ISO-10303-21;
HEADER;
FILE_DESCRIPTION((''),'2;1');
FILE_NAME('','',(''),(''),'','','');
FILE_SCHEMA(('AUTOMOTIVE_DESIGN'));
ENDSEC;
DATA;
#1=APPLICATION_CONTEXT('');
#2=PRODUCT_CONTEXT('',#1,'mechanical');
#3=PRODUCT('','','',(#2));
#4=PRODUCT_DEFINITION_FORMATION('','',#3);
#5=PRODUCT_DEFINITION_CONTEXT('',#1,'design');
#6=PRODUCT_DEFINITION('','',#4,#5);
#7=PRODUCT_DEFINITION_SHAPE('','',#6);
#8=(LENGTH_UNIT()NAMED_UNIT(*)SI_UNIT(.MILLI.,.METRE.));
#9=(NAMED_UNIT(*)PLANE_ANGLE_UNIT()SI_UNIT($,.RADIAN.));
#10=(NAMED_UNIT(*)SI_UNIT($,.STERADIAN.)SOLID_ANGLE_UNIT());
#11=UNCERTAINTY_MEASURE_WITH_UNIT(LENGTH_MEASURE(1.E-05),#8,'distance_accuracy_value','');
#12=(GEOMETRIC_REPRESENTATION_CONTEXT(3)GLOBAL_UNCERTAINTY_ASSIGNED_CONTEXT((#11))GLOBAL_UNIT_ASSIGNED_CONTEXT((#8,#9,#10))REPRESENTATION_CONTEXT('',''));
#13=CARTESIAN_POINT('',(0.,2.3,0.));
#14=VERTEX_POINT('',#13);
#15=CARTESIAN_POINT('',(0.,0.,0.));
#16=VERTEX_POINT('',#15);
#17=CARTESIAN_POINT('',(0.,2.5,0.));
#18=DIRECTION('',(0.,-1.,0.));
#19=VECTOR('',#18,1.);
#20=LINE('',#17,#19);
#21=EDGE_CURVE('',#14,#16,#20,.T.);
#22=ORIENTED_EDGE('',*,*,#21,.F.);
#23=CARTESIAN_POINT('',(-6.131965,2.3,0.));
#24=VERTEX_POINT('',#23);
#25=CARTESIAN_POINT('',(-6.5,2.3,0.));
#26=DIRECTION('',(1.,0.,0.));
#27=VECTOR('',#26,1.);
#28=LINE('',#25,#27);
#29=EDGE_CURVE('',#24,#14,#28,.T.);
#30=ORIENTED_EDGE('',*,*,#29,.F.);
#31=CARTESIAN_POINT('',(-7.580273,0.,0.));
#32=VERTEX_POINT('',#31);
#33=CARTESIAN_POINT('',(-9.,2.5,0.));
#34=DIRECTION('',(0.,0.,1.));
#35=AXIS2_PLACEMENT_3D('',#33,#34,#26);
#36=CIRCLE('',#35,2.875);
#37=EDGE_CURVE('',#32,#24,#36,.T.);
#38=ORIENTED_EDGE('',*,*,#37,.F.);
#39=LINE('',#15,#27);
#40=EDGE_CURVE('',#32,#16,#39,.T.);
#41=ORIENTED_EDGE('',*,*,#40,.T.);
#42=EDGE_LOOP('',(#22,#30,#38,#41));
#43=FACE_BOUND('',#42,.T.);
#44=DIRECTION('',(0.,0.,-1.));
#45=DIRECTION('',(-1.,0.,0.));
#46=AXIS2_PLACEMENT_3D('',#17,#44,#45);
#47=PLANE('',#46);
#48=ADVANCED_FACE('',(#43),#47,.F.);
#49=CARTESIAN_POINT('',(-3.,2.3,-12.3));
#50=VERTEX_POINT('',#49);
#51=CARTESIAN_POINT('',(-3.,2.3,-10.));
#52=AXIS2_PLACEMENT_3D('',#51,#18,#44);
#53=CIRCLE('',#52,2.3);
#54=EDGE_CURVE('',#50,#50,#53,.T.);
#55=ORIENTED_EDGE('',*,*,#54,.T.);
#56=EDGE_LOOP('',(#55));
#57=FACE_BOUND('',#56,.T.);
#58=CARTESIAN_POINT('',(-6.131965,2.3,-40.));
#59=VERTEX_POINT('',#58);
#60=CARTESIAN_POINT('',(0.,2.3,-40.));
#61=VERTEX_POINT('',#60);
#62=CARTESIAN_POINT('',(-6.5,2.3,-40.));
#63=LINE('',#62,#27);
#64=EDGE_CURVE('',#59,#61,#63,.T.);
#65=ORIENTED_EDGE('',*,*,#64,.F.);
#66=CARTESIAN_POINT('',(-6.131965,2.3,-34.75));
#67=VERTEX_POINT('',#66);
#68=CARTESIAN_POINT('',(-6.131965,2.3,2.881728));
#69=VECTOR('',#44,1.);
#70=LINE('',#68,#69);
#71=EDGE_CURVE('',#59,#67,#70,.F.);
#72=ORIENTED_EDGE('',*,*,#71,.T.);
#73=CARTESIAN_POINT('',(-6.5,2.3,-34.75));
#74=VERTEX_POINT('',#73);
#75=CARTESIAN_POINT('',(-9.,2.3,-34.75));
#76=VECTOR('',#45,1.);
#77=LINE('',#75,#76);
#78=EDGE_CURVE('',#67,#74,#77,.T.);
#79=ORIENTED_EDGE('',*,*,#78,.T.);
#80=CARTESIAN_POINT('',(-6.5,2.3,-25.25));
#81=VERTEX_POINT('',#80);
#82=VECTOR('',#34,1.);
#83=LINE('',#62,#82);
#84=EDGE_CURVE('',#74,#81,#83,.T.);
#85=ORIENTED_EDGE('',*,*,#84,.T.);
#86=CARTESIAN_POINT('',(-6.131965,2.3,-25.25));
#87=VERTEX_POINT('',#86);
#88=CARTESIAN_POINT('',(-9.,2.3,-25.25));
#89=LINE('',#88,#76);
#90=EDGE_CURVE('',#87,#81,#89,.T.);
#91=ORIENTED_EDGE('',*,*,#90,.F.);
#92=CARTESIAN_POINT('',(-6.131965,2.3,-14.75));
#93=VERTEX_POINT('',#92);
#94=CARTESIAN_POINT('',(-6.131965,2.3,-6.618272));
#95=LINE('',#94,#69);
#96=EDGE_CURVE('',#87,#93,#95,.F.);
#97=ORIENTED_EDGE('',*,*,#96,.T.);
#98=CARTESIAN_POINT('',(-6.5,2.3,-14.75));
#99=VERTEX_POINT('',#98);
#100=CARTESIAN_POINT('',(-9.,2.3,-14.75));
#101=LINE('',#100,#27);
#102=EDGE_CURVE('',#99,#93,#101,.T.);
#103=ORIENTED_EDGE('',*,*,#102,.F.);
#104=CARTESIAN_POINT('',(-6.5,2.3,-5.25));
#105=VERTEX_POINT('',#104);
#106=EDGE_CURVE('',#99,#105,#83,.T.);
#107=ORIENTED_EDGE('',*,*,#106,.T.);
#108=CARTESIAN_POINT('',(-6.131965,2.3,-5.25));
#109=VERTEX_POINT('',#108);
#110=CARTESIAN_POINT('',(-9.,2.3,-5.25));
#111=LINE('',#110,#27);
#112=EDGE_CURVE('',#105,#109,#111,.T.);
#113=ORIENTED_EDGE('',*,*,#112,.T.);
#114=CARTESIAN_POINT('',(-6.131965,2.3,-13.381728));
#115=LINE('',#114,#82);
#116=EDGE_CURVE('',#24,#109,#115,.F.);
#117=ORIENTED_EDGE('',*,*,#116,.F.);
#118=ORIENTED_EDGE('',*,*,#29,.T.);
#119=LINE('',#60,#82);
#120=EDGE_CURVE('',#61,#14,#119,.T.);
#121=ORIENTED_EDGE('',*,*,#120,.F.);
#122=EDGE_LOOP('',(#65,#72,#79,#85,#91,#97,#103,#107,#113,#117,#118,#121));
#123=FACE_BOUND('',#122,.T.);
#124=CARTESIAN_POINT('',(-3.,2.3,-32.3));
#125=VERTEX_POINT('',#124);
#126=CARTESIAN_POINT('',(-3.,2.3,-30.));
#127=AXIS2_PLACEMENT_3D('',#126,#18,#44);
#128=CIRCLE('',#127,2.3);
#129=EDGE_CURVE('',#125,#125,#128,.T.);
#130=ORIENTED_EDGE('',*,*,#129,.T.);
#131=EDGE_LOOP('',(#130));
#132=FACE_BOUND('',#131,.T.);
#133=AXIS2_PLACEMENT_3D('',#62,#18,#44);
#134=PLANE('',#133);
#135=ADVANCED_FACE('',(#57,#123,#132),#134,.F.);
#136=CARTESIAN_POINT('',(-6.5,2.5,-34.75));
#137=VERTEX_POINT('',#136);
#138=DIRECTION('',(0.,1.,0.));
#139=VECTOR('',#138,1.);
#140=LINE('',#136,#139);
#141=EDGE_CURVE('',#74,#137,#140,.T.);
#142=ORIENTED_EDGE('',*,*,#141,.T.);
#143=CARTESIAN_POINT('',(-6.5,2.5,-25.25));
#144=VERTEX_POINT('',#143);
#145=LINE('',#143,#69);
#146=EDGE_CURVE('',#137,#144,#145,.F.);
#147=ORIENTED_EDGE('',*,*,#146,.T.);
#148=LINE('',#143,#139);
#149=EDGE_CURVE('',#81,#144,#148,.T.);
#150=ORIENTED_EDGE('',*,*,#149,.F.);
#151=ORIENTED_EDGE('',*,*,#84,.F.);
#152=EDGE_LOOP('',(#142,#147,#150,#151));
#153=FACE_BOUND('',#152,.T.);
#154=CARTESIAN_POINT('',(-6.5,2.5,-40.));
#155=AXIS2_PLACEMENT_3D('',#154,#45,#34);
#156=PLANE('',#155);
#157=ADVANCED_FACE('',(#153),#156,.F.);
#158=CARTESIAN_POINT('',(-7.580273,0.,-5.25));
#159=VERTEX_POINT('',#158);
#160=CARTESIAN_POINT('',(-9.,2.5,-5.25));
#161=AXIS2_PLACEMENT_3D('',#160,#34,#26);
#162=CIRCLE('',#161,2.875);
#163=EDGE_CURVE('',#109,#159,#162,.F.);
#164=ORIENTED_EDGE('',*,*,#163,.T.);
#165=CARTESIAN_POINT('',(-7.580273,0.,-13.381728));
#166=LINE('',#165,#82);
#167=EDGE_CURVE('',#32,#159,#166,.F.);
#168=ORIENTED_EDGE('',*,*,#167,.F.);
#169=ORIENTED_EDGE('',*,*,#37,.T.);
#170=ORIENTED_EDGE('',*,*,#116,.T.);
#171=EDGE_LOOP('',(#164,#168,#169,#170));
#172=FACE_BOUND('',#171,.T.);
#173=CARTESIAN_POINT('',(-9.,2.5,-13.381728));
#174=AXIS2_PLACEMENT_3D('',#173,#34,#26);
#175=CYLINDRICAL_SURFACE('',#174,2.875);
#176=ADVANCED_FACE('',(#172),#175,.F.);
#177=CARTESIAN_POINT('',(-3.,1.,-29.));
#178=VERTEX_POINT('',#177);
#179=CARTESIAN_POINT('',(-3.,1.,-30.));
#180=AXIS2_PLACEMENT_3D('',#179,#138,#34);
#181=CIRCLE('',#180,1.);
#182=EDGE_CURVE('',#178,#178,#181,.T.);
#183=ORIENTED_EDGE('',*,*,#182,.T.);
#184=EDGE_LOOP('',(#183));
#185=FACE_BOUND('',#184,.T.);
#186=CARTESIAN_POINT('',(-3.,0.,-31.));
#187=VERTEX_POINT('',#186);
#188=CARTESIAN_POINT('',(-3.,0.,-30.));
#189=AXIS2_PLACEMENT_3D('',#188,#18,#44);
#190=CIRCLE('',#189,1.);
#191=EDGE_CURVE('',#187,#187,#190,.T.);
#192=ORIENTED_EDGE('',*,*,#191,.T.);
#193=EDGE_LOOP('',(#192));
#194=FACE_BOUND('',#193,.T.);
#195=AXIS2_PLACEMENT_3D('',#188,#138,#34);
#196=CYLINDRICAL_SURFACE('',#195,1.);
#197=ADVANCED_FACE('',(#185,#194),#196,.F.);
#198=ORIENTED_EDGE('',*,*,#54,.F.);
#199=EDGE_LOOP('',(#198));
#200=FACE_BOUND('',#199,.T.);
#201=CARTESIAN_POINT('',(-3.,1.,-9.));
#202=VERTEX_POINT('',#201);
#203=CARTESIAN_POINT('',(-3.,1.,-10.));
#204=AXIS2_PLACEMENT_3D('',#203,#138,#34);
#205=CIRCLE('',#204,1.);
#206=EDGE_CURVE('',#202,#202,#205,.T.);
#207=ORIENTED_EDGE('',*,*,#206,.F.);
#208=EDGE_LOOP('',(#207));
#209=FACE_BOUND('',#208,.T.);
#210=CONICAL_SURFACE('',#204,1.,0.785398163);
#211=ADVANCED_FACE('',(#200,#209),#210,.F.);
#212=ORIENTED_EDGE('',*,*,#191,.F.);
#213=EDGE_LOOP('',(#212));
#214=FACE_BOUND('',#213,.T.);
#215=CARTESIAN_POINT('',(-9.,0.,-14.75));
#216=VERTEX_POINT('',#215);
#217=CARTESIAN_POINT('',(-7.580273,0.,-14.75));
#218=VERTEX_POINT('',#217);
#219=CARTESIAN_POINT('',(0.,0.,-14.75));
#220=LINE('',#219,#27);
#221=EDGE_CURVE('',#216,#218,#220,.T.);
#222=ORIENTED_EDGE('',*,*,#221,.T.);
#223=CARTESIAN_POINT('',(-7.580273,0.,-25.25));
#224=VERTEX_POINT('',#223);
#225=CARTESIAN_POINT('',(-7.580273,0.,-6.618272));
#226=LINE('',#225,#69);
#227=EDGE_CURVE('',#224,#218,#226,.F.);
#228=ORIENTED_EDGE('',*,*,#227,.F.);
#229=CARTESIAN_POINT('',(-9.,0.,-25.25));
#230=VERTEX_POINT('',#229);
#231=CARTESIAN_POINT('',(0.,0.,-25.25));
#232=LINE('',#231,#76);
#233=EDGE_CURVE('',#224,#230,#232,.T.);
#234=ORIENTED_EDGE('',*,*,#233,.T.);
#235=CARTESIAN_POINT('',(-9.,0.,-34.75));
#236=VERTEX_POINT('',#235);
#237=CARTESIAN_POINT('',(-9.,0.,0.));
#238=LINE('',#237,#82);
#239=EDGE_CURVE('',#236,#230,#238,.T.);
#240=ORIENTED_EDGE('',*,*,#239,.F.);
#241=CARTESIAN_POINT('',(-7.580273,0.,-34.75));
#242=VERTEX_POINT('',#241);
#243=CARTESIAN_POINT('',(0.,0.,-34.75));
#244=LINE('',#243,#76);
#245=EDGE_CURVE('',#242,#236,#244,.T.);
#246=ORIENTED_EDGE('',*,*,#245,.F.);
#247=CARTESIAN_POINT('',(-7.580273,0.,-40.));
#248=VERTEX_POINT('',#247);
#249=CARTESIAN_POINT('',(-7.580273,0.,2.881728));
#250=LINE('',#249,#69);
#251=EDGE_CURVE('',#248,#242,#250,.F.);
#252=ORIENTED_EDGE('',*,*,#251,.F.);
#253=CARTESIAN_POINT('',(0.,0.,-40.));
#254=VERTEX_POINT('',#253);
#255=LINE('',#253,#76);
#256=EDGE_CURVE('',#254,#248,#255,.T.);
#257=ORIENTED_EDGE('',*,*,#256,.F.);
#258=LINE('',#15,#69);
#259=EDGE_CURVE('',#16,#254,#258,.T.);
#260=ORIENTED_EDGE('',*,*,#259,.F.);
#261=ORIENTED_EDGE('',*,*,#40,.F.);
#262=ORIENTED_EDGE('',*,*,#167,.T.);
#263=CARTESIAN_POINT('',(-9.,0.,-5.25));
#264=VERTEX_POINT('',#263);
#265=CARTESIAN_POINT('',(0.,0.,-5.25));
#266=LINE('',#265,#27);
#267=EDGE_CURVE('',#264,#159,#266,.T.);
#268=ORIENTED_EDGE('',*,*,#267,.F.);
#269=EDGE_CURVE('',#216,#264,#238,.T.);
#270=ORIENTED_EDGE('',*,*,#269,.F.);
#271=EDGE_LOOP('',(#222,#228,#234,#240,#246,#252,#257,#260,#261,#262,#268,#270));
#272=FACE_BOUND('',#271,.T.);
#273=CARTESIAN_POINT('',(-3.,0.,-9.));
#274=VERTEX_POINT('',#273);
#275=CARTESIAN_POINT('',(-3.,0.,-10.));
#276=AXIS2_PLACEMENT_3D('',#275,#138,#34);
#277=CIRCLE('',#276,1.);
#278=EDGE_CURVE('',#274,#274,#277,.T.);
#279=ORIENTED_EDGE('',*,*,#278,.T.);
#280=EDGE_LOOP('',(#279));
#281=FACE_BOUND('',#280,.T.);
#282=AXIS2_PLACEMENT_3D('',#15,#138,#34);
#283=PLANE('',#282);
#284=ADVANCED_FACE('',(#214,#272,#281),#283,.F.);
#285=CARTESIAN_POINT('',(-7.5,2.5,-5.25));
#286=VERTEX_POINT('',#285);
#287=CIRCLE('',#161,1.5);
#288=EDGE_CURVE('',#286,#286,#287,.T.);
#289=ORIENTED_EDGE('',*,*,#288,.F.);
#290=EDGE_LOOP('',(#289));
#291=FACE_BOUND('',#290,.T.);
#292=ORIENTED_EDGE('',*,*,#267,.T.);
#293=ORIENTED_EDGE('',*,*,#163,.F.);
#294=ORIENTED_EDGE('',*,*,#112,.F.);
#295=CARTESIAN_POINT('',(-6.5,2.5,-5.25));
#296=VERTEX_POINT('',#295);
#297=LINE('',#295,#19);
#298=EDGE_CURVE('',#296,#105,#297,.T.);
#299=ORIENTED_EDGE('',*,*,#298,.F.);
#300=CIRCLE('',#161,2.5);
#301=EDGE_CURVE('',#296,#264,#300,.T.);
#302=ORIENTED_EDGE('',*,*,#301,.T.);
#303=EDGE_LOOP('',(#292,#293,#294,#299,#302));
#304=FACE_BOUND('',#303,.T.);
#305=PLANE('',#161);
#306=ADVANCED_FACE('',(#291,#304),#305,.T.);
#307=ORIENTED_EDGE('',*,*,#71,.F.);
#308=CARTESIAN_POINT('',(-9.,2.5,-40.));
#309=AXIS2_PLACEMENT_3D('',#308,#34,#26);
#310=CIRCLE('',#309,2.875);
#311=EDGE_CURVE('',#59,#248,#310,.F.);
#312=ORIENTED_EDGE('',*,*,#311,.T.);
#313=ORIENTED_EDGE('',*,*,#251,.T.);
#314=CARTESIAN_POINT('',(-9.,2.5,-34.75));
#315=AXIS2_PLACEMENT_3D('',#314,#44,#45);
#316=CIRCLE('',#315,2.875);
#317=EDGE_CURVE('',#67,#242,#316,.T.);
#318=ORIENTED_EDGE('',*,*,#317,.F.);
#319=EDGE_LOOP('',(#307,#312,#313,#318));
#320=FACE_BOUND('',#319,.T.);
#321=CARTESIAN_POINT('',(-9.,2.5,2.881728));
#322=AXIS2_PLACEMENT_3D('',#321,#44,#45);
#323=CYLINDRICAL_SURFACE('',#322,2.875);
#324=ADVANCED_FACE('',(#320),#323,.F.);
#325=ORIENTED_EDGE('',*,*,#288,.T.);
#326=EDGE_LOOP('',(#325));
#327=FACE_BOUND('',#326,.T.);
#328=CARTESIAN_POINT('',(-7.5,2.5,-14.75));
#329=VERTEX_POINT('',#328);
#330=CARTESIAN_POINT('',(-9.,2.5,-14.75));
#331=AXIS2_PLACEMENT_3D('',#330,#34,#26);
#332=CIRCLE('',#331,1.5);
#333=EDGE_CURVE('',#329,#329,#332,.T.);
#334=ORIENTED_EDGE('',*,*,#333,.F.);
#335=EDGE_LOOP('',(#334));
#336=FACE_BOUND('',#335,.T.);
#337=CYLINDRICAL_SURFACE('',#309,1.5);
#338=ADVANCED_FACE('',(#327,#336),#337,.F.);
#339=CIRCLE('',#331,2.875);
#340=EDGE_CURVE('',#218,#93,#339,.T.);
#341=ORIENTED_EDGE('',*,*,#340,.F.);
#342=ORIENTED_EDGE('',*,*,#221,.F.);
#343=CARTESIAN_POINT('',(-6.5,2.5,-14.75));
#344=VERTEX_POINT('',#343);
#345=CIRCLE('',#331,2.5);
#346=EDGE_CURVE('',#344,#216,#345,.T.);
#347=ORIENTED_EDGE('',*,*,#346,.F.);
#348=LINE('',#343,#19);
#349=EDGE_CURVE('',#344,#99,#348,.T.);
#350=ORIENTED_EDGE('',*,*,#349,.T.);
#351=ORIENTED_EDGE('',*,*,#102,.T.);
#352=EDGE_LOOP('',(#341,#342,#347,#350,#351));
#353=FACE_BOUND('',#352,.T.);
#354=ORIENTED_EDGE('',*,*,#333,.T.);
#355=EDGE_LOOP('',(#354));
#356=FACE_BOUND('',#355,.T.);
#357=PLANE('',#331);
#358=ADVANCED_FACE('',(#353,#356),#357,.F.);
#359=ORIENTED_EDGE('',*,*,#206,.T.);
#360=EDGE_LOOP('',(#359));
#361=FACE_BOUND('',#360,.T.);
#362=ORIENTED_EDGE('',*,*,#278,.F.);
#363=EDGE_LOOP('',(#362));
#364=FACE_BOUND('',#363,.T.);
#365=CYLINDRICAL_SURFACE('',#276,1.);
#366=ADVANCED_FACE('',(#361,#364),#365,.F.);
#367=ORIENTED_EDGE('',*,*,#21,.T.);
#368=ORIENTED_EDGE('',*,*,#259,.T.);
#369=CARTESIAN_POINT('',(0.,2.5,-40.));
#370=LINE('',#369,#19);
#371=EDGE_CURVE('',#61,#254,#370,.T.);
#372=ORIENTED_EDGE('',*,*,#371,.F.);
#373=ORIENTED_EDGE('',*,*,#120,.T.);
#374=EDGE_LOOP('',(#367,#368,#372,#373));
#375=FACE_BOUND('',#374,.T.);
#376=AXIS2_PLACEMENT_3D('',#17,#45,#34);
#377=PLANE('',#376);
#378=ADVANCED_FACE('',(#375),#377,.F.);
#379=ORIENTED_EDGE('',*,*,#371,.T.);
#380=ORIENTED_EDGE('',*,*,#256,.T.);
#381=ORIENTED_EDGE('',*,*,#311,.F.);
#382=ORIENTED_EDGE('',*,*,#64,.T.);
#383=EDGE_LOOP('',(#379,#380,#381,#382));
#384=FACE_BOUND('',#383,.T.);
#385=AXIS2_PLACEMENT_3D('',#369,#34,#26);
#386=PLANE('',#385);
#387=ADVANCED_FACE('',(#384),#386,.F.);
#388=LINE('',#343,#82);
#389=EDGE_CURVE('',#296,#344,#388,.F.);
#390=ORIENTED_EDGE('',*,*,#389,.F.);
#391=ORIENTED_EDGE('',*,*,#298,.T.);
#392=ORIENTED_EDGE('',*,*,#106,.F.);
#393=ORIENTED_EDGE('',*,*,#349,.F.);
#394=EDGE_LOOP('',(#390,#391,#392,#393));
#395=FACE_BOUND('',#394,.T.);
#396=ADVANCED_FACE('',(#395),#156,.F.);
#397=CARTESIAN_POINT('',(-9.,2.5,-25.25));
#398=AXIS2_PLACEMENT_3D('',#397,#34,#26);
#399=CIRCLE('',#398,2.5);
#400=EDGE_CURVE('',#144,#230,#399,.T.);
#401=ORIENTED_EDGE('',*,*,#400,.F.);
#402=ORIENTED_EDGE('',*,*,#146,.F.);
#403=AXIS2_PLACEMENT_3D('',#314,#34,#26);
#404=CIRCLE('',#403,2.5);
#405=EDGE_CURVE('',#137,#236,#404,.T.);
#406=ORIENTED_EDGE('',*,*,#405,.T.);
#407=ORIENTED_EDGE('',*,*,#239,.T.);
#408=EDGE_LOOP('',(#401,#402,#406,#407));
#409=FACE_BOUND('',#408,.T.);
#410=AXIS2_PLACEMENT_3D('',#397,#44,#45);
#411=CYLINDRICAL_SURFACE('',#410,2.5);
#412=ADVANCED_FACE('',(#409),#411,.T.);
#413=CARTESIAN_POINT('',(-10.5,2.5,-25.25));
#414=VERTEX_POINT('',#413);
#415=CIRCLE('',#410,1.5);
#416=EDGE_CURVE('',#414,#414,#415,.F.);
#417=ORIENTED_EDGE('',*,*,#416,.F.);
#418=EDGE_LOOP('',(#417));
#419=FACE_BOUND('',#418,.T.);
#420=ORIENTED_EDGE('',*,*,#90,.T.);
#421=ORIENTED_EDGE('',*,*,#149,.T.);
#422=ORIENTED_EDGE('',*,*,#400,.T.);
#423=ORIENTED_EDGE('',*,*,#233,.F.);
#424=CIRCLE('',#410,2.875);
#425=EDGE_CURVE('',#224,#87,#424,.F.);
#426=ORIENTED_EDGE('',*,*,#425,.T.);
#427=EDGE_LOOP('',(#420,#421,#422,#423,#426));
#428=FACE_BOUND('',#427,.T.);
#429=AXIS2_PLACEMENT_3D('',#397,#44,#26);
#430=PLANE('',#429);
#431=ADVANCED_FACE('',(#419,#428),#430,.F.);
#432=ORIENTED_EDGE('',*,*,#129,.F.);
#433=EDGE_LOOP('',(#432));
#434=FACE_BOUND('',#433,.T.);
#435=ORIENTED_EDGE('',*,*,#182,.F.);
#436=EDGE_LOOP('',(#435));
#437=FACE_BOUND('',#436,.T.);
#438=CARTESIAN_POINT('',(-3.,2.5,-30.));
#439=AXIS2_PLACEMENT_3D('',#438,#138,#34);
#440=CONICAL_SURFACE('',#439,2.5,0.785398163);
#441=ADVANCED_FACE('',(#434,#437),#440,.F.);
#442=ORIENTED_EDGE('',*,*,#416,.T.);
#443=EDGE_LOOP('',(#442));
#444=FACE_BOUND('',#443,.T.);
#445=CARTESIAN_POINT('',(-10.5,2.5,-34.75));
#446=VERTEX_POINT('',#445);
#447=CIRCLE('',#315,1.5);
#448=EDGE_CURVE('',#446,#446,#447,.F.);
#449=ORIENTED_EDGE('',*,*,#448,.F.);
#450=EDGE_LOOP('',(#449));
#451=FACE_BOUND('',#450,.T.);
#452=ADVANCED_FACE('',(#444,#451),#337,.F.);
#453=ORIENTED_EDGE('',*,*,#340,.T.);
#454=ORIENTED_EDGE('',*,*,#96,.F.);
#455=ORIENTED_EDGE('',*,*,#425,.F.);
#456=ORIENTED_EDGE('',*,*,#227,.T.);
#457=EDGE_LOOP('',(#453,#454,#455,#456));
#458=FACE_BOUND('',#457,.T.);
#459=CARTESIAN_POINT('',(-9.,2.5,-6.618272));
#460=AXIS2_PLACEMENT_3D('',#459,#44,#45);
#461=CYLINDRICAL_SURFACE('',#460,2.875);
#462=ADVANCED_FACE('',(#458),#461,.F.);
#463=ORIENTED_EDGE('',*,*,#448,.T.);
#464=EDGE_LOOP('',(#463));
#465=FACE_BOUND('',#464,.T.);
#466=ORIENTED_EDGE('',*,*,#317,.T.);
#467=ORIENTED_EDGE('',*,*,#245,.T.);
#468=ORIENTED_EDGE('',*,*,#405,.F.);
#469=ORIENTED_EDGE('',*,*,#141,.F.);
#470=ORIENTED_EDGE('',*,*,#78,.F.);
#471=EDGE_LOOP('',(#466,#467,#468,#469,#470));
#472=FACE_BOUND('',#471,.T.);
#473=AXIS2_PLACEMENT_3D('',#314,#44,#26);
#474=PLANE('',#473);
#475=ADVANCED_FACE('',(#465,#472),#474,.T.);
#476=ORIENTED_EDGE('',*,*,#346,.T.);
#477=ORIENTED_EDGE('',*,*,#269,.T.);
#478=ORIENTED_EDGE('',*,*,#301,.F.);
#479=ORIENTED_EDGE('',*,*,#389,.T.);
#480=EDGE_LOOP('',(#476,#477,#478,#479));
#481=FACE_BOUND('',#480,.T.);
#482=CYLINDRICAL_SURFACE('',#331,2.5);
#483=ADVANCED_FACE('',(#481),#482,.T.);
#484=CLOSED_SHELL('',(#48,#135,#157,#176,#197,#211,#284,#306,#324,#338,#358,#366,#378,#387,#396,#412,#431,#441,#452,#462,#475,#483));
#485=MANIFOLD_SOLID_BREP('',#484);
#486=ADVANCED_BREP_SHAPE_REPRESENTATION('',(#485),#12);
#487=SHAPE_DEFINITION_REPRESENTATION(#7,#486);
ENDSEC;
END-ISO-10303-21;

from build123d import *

# Parameters (mm, degrees)
SKETCH1_W           = 9
SKETCH1_H           = 40
BOSS_EXTRUDE1_DEPTH = 2.5
BOSS_EXTRUDE2_START = -5.25
SKETCH2_R           = 2.5
BOSS_EXTRUDE2_DEPTH = 9.5
SKETCH3_R           = 1.5
CUT_EXTRUDE1_DEPTH  = 42.919565837
SKETCH4_R           = 2.875
CUT_EXTRUDE2_DEPTH  = 5.25
CUT_EXTRUDE3_START  = -14.75
SKETCH4_2_R         = 2.875
CUT_EXTRUDE3_DEPTH  = 5.25
SKETCH5_R           = 1
CUT_EXTRUDE4_DEPTH  = 42.695323479
CHAMFER1_SIZE       = 1.5
CHAMFER2_SIZE       = 1.5
SKETCH7_W           = 6.5
SKETCH7_H           = 0.2
CUT_EXTRUDE5_DEPTH  = 42.919565837


with BuildPart() as part:
    # Sketch1 → Boss-Extrude1 (new body)
    with BuildSketch(Plane(origin=(0, 0, 0), x_dir=(1, 0, 0), z_dir=(0, 1, 0))):
        with Locations((-4.5, 20)):
            Rectangle(SKETCH1_W, SKETCH1_H)
    extrude(amount=BOSS_EXTRUDE1_DEPTH)

    # Sketch2 → Boss-Extrude2 (add)
    with BuildSketch(Plane.XY.offset(BOSS_EXTRUDE2_START)):
        with Locations((-9, 2.5)):
            Circle(SKETCH2_R)
    boss_extrude2 = extrude(amount=-BOSS_EXTRUDE2_DEPTH)

    # Sketch3 → Cut-Extrude1 (cut, through all)
    with BuildSketch(Plane.XY):
        with Locations((-9, 2.5)):
            Circle(SKETCH3_R)
    cut_extrude1 = extrude(amount=-CUT_EXTRUDE1_DEPTH, mode=Mode.SUBTRACT)

    # Sketch4 → Cut-Extrude2 (cut)
    with BuildSketch(Plane.XY):
        with Locations((-9, 2.5)):
            Circle(SKETCH4_R)
    cut_extrude2 = extrude(amount=-CUT_EXTRUDE2_DEPTH, mode=Mode.SUBTRACT)

    # Sketch4<2> → Cut-Extrude3 (cut)
    with BuildSketch(Plane.XY.offset(CUT_EXTRUDE3_START)):
        with Locations((-9, 2.5)):
            Circle(SKETCH4_2_R)
    cut_extrude3 = extrude(amount=-CUT_EXTRUDE3_DEPTH, mode=Mode.SUBTRACT)

    # Mirror2: Boss-Extrude2, Cut-Extrude1, Cut-Extrude2, Cut-Extrude3 across plane
    add(boss_extrude2.mirror(Plane.XY.offset(-20)))
    add(cut_extrude1.mirror(Plane.XY.offset(-20)), mode=Mode.SUBTRACT)
    add(cut_extrude2.mirror(Plane.XY.offset(-20)), mode=Mode.SUBTRACT)
    add(cut_extrude3.mirror(Plane.XY.offset(-20)), mode=Mode.SUBTRACT)

    # Sketch5 → Cut-Extrude4 (cut, through all)
    with BuildSketch(Plane(origin=(0, 2.5, 0), x_dir=(1, 0, 0), z_dir=(0, 1, 0))):
        with Locations(Location((-3, 10, 0), (0, 0, 270))):
            Circle(SKETCH5_R)
    cut_extrude4 = extrude(amount=-CUT_EXTRUDE4_DEPTH, mode=Mode.SUBTRACT)

    # Mirror3: Cut-Extrude4 across plane
    add(cut_extrude4.mirror(Plane.XY.offset(-20)), mode=Mode.SUBTRACT)

    # Chamfer1
    chamfer1_edges = [part.edges().sort_by_distance(p)[0] for p in [
        (-3, 2.5, -29),
    ]]
    chamfer(chamfer1_edges, length=CHAMFER1_SIZE)

    # Chamfer2
    chamfer2_edges = [part.edges().sort_by_distance(p)[0] for p in [
        (-3, 2.5, -11),
    ]]
    chamfer(chamfer2_edges, length=CHAMFER2_SIZE)

    # Sketch7 → Cut-Extrude5 (cut, through all)
    with BuildSketch(Plane.XY):
        with Locations((-3.25, 2.4)):
            Rectangle(SKETCH7_W, SKETCH7_H)
    extrude(amount=-CUT_EXTRUDE5_DEPTH, mode=Mode.SUBTRACT)


solid = part.part
